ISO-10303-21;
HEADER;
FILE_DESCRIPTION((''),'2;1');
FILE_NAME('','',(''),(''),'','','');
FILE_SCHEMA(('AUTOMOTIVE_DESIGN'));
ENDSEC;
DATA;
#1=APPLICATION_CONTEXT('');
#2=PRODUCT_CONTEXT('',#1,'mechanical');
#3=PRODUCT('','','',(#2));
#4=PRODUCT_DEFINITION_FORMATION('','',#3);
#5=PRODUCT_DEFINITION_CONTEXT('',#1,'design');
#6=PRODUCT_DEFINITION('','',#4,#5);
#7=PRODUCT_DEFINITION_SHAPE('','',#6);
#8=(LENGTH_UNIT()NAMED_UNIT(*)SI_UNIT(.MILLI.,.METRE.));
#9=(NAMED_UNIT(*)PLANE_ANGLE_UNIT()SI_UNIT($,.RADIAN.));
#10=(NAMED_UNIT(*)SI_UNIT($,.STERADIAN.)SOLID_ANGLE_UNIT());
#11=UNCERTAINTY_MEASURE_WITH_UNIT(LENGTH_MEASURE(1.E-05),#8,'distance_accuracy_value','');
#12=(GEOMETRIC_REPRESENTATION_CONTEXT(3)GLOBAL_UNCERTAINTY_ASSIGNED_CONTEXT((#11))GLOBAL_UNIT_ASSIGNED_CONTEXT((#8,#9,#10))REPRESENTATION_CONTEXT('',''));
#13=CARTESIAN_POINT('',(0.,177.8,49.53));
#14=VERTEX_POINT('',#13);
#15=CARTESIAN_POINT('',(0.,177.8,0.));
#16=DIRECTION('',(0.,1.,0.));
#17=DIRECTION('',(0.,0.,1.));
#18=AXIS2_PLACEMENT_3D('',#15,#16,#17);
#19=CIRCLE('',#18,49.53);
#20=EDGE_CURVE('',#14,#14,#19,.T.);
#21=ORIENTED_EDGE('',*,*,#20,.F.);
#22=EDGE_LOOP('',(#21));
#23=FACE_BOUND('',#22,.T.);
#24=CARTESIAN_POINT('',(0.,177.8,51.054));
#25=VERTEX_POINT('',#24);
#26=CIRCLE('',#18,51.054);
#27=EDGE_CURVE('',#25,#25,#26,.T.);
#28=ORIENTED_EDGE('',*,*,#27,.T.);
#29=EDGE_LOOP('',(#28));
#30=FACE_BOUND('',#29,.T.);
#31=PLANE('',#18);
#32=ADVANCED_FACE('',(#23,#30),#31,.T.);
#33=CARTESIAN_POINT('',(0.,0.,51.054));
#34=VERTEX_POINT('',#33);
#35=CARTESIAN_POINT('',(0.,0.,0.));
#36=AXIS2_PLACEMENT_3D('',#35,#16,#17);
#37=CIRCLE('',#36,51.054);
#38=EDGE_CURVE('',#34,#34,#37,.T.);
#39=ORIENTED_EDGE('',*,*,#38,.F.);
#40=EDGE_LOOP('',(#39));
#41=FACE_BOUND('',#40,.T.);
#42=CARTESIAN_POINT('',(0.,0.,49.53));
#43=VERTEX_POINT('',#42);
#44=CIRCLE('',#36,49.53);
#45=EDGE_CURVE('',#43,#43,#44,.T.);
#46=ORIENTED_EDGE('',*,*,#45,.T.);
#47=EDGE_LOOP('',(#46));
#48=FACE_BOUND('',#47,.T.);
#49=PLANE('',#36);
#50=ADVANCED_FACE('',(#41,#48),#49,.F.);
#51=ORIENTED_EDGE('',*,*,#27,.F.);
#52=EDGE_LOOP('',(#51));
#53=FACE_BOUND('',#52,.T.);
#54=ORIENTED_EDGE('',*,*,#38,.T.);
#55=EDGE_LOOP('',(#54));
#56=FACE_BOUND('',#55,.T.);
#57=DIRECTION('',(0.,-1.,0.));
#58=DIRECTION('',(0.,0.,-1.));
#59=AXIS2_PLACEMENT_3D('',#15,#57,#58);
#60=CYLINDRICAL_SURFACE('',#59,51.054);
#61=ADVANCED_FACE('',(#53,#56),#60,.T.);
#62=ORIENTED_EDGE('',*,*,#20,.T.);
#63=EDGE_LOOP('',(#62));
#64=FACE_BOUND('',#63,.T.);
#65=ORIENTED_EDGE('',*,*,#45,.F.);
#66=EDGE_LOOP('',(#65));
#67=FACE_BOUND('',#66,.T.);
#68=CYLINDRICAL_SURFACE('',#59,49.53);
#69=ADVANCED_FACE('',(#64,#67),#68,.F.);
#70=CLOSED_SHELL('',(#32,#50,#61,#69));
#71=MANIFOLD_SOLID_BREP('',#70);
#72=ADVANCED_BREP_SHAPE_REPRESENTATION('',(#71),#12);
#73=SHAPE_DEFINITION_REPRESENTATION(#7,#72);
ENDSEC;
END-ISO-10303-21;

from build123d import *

# Parameters (mm, degrees)
SKETCH1_R   = 51.054
SKETCH1_R_2 = 49.53
TUBE_DEPTH  = 177.8


with BuildPart() as part:
    # Sketch1 → Tube (new body)
    with BuildSketch(Plane(origin=(0, 0, 0), x_dir=(1, 0, 0), z_dir=(0, 1, 0))):
        Circle(SKETCH1_R)
        Circle(SKETCH1_R_2, mode=Mode.SUBTRACT)
    extrude(amount=TUBE_DEPTH)


solid = part.part
